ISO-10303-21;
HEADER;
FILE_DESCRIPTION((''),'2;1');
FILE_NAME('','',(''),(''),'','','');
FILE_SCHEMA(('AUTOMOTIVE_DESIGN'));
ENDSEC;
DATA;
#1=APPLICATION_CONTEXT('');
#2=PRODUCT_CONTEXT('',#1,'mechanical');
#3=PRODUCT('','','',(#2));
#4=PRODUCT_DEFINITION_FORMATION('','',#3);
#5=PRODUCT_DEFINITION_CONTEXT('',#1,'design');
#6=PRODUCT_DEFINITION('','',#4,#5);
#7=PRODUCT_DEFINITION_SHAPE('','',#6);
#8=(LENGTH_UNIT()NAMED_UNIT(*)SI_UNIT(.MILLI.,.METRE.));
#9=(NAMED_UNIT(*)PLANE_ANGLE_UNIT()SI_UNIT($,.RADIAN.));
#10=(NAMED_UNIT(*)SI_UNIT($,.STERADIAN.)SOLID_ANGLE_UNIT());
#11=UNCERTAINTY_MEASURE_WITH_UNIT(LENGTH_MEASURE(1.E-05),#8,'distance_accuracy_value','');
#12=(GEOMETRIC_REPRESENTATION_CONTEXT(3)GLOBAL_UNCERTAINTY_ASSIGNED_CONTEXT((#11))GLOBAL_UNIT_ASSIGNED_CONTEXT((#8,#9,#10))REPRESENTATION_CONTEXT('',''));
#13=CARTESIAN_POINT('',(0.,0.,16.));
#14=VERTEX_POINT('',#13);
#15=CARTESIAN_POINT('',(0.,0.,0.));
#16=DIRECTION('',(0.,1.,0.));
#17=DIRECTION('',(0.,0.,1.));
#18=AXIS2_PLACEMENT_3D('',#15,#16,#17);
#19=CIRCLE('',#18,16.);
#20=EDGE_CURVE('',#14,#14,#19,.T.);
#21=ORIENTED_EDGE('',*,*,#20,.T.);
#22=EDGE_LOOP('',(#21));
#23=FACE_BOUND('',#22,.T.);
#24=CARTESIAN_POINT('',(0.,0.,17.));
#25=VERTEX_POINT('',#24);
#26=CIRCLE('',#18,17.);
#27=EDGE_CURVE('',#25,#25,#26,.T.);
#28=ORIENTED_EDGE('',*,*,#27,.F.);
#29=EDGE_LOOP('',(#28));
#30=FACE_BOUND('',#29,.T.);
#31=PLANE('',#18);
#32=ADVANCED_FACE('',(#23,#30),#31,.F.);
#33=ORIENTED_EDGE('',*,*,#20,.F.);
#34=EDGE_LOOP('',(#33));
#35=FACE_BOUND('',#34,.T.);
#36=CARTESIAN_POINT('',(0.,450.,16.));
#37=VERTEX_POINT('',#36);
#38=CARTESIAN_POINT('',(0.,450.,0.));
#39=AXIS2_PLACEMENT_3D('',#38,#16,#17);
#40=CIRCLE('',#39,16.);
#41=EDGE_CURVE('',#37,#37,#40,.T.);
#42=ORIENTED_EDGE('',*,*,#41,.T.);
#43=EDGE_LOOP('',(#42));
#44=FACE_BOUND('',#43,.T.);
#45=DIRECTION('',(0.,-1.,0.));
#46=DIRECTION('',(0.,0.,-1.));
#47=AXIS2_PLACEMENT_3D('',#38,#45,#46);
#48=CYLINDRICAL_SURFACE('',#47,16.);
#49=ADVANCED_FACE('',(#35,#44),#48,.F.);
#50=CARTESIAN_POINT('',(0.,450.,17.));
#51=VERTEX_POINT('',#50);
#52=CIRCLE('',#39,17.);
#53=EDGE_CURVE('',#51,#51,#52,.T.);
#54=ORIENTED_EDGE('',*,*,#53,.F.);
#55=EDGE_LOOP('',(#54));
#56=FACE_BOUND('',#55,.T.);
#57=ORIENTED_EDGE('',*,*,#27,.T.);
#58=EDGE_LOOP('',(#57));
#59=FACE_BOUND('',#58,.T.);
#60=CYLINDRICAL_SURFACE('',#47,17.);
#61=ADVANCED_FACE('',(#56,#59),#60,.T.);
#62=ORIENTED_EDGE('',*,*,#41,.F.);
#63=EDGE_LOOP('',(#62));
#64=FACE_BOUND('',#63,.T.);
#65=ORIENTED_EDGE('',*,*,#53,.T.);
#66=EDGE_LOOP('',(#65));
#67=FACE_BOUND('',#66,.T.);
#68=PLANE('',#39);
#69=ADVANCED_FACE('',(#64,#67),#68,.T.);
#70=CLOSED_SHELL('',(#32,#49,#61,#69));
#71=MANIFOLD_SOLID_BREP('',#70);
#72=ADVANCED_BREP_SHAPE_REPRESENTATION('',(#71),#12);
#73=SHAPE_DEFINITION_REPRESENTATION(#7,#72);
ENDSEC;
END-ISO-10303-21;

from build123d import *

# Parameters (mm, degrees)
SKETCH_1_R      = 17
SKETCH_1_R_2    = 16
EXTRUDE_1_DEPTH = 450


with BuildPart() as part:
    # Эскиз1 → Бобышка-Вытянуть1 (new body)
    with BuildSketch(Plane(origin=(0, 0, 0), x_dir=(1, 0, 0), z_dir=(0, 1, 0))):
        Circle(SKETCH_1_R)
        Circle(SKETCH_1_R_2, mode=Mode.SUBTRACT)
    extrude(amount=EXTRUDE_1_DEPTH)


solid = part.part
